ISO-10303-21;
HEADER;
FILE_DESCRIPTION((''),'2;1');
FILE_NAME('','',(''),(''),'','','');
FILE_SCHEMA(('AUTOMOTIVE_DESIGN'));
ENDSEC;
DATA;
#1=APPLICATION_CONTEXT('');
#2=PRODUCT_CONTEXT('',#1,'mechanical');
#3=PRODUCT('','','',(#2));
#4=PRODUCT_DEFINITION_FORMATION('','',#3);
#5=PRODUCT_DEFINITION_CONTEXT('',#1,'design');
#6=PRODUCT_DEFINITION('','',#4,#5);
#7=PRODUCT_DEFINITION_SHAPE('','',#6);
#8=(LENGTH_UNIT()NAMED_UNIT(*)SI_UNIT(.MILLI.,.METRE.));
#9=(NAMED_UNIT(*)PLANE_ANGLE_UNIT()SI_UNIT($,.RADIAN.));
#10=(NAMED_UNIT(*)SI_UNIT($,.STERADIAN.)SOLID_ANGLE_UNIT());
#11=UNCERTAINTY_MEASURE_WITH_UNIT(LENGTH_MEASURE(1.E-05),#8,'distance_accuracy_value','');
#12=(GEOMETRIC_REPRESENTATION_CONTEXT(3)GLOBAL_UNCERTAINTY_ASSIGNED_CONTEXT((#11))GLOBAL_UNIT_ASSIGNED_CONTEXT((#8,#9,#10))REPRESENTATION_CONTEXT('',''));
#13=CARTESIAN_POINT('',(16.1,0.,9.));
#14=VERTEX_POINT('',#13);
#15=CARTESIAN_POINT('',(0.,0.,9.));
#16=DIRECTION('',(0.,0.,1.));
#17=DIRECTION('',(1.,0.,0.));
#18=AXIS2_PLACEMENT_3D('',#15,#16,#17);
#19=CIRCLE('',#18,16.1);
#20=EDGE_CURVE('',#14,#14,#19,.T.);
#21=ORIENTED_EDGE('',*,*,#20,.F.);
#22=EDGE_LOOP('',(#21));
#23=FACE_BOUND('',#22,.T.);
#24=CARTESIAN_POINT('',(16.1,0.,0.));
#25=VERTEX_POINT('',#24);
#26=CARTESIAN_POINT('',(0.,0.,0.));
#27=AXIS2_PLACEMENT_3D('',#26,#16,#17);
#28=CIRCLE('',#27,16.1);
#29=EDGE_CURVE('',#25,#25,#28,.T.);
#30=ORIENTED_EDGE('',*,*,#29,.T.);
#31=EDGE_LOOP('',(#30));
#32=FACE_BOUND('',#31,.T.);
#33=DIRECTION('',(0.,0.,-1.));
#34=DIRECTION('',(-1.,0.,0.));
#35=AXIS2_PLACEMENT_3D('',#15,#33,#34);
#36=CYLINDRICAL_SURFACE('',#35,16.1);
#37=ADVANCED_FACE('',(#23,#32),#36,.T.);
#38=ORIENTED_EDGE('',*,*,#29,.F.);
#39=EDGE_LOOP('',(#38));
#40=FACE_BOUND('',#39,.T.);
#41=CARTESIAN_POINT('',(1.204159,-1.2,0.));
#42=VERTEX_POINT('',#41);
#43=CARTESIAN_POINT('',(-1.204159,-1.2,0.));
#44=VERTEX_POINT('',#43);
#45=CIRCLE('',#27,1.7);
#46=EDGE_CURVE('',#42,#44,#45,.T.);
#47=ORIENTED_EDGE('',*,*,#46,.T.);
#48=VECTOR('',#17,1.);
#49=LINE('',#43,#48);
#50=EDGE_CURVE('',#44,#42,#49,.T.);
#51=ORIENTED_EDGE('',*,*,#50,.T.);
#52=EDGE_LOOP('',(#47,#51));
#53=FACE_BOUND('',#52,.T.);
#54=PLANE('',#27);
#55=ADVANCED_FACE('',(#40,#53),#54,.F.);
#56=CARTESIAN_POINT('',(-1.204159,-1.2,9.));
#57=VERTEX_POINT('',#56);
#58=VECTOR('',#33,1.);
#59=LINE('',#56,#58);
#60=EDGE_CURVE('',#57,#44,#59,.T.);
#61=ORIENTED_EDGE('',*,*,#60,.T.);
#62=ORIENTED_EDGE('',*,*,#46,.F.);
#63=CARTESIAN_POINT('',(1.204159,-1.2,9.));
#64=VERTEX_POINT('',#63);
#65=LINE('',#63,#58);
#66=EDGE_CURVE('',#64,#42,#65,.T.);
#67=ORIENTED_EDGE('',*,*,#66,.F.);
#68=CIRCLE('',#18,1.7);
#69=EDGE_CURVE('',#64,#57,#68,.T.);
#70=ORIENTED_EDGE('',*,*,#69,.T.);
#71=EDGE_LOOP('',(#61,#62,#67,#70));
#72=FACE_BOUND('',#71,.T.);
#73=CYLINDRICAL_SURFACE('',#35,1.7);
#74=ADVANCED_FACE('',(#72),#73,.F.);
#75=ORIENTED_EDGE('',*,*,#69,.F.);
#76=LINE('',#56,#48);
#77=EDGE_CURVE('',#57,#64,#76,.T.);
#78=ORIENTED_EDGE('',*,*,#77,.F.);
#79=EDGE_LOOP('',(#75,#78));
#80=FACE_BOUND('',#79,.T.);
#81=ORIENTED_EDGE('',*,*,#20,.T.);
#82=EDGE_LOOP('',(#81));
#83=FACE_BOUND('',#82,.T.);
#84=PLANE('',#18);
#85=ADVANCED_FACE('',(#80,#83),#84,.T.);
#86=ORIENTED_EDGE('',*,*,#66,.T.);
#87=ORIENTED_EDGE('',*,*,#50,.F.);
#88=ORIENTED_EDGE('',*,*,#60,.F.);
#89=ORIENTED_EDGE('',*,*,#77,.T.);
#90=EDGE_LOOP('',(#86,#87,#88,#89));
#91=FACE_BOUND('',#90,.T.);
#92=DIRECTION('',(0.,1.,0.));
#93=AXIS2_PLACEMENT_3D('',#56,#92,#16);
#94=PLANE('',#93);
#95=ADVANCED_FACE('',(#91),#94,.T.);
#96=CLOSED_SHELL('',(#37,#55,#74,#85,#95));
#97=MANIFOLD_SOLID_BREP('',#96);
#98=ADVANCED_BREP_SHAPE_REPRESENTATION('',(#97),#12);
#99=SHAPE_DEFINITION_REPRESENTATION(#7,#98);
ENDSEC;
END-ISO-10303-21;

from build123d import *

# Parameters (mm, degrees)
SKETCH1_R           = 16.1
BOSS_EXTRUDE1_DEPTH = 9


with BuildPart() as part:
    # Sketch1 → Boss-Extrude1 (new body)
    with BuildSketch(Plane.XY):
        Circle(SKETCH1_R)
        with BuildLine():
            Line((-1.204159458, -1.2), (1.204159458, -1.2))
            ThreePointArc((1.204159458, -1.2), (0, 1.7), (-1.204159458, -1.2))
        make_face(mode=Mode.SUBTRACT)
    extrude(amount=BOSS_EXTRUDE1_DEPTH)


solid = part.part
